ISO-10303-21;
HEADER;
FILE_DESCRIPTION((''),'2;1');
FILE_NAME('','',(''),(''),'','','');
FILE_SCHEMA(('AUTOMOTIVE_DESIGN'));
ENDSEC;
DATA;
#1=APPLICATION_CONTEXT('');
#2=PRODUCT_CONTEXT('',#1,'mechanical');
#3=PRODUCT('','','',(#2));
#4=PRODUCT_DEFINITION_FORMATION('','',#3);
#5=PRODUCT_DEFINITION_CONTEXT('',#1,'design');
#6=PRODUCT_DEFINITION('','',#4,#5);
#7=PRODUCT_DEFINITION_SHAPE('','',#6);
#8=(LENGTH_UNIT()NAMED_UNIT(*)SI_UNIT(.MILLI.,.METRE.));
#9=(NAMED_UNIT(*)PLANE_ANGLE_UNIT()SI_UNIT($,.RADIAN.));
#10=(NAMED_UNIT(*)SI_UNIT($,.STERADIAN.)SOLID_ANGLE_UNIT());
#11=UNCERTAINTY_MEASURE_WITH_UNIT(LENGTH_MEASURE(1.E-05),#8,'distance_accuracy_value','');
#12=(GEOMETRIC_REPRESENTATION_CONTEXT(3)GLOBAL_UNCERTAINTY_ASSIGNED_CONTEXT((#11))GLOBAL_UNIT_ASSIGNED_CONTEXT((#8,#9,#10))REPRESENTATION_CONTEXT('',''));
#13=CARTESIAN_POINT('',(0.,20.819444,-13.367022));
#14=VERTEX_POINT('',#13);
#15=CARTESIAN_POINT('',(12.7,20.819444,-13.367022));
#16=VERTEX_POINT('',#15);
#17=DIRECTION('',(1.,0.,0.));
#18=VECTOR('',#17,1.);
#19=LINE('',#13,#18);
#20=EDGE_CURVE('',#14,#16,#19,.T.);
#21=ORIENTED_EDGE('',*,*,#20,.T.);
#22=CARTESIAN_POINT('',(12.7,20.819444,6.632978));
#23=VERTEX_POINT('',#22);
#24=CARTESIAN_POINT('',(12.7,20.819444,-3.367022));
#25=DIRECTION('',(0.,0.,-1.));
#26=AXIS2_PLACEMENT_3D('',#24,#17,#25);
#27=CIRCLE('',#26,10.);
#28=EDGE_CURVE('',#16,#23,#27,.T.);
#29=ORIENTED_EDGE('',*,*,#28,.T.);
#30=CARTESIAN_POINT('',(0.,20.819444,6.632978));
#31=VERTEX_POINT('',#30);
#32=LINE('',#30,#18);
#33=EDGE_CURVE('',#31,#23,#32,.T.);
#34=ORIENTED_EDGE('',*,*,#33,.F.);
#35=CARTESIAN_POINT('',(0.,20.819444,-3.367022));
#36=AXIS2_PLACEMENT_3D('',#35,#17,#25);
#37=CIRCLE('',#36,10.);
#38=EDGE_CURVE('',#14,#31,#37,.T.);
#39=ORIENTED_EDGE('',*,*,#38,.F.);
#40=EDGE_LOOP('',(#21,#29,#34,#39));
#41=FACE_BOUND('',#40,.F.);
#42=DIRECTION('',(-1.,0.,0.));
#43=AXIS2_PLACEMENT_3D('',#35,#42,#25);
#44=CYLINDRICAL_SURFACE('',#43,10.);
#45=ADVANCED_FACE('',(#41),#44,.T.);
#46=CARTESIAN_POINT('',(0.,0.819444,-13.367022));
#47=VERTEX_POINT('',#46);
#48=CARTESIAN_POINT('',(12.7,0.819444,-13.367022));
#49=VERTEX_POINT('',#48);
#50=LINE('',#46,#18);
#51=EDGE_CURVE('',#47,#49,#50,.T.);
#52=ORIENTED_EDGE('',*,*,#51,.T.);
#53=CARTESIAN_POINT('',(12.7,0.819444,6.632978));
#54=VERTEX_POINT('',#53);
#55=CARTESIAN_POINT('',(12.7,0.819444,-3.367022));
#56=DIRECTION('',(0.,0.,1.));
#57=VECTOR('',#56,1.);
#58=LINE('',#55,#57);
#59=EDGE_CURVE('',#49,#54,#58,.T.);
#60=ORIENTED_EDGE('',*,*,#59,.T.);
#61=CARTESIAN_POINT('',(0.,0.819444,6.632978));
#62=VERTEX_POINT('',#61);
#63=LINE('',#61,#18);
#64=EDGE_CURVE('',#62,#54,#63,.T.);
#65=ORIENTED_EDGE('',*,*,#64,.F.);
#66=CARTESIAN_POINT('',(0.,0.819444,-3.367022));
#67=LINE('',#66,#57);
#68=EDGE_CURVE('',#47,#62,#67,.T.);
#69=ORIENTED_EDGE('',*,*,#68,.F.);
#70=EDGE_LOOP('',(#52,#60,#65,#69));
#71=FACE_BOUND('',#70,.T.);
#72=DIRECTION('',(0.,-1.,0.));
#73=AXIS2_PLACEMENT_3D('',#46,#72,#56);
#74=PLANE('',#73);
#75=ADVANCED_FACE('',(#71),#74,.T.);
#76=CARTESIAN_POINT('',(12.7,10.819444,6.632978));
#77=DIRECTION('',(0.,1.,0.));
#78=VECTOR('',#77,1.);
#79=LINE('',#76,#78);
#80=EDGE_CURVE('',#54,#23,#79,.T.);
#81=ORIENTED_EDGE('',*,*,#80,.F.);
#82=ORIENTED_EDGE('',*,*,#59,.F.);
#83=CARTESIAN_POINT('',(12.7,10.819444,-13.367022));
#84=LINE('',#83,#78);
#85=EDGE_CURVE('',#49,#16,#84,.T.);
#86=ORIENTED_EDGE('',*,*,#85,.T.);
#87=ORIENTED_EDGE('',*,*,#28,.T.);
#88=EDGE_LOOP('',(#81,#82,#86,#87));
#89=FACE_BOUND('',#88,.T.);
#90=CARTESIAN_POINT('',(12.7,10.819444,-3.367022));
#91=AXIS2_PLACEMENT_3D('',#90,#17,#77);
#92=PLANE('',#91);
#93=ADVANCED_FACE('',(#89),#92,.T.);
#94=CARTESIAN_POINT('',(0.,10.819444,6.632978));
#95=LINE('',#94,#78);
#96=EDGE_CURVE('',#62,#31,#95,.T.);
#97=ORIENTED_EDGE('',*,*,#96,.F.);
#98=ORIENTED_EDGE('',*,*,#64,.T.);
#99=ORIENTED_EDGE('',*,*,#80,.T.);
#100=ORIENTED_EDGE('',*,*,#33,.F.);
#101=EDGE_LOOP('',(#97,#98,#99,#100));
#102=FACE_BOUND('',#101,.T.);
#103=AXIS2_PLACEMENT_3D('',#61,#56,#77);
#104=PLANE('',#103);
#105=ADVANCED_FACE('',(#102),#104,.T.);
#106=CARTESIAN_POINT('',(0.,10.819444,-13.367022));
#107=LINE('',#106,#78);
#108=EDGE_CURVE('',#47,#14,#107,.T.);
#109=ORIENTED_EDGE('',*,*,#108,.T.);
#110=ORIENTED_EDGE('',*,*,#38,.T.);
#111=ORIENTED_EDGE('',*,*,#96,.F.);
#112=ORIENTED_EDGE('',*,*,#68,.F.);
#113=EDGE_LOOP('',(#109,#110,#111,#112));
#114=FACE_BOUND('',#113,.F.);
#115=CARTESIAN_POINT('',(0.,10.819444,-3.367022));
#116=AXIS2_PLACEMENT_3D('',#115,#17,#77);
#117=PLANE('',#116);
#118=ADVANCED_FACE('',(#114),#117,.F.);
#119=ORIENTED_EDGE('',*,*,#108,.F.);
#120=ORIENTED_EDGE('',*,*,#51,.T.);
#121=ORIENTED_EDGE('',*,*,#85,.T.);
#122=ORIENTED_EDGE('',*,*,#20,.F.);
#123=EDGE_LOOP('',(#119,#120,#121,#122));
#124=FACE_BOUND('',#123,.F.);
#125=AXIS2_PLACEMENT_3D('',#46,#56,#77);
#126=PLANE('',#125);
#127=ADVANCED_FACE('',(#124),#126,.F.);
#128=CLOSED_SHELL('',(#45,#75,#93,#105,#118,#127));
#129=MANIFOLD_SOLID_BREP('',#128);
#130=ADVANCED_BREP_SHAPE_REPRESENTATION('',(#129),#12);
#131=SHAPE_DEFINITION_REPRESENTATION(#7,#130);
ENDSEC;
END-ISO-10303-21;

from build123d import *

# Parameters (mm, degrees)
F0_W     = 20
F0_H     = 20
F1_DEPTH = 12.7


with BuildPart() as f1:
    # F0 (on Right) → F1 (new body)
    with BuildSketch(Plane.YZ):
        with Locations((10.819444, -3.367022)):
            Rectangle(F0_W, F0_H)
        with BuildLine():
            ThreePointArc((20.819444, -13.367022), (30.819444, -3.367022), (20.819444, 6.632978))
            Line((20.819444, 6.632978), (20.819444, -13.367022))
        make_face()
    extrude(amount=F1_DEPTH)


solid = f1.part
